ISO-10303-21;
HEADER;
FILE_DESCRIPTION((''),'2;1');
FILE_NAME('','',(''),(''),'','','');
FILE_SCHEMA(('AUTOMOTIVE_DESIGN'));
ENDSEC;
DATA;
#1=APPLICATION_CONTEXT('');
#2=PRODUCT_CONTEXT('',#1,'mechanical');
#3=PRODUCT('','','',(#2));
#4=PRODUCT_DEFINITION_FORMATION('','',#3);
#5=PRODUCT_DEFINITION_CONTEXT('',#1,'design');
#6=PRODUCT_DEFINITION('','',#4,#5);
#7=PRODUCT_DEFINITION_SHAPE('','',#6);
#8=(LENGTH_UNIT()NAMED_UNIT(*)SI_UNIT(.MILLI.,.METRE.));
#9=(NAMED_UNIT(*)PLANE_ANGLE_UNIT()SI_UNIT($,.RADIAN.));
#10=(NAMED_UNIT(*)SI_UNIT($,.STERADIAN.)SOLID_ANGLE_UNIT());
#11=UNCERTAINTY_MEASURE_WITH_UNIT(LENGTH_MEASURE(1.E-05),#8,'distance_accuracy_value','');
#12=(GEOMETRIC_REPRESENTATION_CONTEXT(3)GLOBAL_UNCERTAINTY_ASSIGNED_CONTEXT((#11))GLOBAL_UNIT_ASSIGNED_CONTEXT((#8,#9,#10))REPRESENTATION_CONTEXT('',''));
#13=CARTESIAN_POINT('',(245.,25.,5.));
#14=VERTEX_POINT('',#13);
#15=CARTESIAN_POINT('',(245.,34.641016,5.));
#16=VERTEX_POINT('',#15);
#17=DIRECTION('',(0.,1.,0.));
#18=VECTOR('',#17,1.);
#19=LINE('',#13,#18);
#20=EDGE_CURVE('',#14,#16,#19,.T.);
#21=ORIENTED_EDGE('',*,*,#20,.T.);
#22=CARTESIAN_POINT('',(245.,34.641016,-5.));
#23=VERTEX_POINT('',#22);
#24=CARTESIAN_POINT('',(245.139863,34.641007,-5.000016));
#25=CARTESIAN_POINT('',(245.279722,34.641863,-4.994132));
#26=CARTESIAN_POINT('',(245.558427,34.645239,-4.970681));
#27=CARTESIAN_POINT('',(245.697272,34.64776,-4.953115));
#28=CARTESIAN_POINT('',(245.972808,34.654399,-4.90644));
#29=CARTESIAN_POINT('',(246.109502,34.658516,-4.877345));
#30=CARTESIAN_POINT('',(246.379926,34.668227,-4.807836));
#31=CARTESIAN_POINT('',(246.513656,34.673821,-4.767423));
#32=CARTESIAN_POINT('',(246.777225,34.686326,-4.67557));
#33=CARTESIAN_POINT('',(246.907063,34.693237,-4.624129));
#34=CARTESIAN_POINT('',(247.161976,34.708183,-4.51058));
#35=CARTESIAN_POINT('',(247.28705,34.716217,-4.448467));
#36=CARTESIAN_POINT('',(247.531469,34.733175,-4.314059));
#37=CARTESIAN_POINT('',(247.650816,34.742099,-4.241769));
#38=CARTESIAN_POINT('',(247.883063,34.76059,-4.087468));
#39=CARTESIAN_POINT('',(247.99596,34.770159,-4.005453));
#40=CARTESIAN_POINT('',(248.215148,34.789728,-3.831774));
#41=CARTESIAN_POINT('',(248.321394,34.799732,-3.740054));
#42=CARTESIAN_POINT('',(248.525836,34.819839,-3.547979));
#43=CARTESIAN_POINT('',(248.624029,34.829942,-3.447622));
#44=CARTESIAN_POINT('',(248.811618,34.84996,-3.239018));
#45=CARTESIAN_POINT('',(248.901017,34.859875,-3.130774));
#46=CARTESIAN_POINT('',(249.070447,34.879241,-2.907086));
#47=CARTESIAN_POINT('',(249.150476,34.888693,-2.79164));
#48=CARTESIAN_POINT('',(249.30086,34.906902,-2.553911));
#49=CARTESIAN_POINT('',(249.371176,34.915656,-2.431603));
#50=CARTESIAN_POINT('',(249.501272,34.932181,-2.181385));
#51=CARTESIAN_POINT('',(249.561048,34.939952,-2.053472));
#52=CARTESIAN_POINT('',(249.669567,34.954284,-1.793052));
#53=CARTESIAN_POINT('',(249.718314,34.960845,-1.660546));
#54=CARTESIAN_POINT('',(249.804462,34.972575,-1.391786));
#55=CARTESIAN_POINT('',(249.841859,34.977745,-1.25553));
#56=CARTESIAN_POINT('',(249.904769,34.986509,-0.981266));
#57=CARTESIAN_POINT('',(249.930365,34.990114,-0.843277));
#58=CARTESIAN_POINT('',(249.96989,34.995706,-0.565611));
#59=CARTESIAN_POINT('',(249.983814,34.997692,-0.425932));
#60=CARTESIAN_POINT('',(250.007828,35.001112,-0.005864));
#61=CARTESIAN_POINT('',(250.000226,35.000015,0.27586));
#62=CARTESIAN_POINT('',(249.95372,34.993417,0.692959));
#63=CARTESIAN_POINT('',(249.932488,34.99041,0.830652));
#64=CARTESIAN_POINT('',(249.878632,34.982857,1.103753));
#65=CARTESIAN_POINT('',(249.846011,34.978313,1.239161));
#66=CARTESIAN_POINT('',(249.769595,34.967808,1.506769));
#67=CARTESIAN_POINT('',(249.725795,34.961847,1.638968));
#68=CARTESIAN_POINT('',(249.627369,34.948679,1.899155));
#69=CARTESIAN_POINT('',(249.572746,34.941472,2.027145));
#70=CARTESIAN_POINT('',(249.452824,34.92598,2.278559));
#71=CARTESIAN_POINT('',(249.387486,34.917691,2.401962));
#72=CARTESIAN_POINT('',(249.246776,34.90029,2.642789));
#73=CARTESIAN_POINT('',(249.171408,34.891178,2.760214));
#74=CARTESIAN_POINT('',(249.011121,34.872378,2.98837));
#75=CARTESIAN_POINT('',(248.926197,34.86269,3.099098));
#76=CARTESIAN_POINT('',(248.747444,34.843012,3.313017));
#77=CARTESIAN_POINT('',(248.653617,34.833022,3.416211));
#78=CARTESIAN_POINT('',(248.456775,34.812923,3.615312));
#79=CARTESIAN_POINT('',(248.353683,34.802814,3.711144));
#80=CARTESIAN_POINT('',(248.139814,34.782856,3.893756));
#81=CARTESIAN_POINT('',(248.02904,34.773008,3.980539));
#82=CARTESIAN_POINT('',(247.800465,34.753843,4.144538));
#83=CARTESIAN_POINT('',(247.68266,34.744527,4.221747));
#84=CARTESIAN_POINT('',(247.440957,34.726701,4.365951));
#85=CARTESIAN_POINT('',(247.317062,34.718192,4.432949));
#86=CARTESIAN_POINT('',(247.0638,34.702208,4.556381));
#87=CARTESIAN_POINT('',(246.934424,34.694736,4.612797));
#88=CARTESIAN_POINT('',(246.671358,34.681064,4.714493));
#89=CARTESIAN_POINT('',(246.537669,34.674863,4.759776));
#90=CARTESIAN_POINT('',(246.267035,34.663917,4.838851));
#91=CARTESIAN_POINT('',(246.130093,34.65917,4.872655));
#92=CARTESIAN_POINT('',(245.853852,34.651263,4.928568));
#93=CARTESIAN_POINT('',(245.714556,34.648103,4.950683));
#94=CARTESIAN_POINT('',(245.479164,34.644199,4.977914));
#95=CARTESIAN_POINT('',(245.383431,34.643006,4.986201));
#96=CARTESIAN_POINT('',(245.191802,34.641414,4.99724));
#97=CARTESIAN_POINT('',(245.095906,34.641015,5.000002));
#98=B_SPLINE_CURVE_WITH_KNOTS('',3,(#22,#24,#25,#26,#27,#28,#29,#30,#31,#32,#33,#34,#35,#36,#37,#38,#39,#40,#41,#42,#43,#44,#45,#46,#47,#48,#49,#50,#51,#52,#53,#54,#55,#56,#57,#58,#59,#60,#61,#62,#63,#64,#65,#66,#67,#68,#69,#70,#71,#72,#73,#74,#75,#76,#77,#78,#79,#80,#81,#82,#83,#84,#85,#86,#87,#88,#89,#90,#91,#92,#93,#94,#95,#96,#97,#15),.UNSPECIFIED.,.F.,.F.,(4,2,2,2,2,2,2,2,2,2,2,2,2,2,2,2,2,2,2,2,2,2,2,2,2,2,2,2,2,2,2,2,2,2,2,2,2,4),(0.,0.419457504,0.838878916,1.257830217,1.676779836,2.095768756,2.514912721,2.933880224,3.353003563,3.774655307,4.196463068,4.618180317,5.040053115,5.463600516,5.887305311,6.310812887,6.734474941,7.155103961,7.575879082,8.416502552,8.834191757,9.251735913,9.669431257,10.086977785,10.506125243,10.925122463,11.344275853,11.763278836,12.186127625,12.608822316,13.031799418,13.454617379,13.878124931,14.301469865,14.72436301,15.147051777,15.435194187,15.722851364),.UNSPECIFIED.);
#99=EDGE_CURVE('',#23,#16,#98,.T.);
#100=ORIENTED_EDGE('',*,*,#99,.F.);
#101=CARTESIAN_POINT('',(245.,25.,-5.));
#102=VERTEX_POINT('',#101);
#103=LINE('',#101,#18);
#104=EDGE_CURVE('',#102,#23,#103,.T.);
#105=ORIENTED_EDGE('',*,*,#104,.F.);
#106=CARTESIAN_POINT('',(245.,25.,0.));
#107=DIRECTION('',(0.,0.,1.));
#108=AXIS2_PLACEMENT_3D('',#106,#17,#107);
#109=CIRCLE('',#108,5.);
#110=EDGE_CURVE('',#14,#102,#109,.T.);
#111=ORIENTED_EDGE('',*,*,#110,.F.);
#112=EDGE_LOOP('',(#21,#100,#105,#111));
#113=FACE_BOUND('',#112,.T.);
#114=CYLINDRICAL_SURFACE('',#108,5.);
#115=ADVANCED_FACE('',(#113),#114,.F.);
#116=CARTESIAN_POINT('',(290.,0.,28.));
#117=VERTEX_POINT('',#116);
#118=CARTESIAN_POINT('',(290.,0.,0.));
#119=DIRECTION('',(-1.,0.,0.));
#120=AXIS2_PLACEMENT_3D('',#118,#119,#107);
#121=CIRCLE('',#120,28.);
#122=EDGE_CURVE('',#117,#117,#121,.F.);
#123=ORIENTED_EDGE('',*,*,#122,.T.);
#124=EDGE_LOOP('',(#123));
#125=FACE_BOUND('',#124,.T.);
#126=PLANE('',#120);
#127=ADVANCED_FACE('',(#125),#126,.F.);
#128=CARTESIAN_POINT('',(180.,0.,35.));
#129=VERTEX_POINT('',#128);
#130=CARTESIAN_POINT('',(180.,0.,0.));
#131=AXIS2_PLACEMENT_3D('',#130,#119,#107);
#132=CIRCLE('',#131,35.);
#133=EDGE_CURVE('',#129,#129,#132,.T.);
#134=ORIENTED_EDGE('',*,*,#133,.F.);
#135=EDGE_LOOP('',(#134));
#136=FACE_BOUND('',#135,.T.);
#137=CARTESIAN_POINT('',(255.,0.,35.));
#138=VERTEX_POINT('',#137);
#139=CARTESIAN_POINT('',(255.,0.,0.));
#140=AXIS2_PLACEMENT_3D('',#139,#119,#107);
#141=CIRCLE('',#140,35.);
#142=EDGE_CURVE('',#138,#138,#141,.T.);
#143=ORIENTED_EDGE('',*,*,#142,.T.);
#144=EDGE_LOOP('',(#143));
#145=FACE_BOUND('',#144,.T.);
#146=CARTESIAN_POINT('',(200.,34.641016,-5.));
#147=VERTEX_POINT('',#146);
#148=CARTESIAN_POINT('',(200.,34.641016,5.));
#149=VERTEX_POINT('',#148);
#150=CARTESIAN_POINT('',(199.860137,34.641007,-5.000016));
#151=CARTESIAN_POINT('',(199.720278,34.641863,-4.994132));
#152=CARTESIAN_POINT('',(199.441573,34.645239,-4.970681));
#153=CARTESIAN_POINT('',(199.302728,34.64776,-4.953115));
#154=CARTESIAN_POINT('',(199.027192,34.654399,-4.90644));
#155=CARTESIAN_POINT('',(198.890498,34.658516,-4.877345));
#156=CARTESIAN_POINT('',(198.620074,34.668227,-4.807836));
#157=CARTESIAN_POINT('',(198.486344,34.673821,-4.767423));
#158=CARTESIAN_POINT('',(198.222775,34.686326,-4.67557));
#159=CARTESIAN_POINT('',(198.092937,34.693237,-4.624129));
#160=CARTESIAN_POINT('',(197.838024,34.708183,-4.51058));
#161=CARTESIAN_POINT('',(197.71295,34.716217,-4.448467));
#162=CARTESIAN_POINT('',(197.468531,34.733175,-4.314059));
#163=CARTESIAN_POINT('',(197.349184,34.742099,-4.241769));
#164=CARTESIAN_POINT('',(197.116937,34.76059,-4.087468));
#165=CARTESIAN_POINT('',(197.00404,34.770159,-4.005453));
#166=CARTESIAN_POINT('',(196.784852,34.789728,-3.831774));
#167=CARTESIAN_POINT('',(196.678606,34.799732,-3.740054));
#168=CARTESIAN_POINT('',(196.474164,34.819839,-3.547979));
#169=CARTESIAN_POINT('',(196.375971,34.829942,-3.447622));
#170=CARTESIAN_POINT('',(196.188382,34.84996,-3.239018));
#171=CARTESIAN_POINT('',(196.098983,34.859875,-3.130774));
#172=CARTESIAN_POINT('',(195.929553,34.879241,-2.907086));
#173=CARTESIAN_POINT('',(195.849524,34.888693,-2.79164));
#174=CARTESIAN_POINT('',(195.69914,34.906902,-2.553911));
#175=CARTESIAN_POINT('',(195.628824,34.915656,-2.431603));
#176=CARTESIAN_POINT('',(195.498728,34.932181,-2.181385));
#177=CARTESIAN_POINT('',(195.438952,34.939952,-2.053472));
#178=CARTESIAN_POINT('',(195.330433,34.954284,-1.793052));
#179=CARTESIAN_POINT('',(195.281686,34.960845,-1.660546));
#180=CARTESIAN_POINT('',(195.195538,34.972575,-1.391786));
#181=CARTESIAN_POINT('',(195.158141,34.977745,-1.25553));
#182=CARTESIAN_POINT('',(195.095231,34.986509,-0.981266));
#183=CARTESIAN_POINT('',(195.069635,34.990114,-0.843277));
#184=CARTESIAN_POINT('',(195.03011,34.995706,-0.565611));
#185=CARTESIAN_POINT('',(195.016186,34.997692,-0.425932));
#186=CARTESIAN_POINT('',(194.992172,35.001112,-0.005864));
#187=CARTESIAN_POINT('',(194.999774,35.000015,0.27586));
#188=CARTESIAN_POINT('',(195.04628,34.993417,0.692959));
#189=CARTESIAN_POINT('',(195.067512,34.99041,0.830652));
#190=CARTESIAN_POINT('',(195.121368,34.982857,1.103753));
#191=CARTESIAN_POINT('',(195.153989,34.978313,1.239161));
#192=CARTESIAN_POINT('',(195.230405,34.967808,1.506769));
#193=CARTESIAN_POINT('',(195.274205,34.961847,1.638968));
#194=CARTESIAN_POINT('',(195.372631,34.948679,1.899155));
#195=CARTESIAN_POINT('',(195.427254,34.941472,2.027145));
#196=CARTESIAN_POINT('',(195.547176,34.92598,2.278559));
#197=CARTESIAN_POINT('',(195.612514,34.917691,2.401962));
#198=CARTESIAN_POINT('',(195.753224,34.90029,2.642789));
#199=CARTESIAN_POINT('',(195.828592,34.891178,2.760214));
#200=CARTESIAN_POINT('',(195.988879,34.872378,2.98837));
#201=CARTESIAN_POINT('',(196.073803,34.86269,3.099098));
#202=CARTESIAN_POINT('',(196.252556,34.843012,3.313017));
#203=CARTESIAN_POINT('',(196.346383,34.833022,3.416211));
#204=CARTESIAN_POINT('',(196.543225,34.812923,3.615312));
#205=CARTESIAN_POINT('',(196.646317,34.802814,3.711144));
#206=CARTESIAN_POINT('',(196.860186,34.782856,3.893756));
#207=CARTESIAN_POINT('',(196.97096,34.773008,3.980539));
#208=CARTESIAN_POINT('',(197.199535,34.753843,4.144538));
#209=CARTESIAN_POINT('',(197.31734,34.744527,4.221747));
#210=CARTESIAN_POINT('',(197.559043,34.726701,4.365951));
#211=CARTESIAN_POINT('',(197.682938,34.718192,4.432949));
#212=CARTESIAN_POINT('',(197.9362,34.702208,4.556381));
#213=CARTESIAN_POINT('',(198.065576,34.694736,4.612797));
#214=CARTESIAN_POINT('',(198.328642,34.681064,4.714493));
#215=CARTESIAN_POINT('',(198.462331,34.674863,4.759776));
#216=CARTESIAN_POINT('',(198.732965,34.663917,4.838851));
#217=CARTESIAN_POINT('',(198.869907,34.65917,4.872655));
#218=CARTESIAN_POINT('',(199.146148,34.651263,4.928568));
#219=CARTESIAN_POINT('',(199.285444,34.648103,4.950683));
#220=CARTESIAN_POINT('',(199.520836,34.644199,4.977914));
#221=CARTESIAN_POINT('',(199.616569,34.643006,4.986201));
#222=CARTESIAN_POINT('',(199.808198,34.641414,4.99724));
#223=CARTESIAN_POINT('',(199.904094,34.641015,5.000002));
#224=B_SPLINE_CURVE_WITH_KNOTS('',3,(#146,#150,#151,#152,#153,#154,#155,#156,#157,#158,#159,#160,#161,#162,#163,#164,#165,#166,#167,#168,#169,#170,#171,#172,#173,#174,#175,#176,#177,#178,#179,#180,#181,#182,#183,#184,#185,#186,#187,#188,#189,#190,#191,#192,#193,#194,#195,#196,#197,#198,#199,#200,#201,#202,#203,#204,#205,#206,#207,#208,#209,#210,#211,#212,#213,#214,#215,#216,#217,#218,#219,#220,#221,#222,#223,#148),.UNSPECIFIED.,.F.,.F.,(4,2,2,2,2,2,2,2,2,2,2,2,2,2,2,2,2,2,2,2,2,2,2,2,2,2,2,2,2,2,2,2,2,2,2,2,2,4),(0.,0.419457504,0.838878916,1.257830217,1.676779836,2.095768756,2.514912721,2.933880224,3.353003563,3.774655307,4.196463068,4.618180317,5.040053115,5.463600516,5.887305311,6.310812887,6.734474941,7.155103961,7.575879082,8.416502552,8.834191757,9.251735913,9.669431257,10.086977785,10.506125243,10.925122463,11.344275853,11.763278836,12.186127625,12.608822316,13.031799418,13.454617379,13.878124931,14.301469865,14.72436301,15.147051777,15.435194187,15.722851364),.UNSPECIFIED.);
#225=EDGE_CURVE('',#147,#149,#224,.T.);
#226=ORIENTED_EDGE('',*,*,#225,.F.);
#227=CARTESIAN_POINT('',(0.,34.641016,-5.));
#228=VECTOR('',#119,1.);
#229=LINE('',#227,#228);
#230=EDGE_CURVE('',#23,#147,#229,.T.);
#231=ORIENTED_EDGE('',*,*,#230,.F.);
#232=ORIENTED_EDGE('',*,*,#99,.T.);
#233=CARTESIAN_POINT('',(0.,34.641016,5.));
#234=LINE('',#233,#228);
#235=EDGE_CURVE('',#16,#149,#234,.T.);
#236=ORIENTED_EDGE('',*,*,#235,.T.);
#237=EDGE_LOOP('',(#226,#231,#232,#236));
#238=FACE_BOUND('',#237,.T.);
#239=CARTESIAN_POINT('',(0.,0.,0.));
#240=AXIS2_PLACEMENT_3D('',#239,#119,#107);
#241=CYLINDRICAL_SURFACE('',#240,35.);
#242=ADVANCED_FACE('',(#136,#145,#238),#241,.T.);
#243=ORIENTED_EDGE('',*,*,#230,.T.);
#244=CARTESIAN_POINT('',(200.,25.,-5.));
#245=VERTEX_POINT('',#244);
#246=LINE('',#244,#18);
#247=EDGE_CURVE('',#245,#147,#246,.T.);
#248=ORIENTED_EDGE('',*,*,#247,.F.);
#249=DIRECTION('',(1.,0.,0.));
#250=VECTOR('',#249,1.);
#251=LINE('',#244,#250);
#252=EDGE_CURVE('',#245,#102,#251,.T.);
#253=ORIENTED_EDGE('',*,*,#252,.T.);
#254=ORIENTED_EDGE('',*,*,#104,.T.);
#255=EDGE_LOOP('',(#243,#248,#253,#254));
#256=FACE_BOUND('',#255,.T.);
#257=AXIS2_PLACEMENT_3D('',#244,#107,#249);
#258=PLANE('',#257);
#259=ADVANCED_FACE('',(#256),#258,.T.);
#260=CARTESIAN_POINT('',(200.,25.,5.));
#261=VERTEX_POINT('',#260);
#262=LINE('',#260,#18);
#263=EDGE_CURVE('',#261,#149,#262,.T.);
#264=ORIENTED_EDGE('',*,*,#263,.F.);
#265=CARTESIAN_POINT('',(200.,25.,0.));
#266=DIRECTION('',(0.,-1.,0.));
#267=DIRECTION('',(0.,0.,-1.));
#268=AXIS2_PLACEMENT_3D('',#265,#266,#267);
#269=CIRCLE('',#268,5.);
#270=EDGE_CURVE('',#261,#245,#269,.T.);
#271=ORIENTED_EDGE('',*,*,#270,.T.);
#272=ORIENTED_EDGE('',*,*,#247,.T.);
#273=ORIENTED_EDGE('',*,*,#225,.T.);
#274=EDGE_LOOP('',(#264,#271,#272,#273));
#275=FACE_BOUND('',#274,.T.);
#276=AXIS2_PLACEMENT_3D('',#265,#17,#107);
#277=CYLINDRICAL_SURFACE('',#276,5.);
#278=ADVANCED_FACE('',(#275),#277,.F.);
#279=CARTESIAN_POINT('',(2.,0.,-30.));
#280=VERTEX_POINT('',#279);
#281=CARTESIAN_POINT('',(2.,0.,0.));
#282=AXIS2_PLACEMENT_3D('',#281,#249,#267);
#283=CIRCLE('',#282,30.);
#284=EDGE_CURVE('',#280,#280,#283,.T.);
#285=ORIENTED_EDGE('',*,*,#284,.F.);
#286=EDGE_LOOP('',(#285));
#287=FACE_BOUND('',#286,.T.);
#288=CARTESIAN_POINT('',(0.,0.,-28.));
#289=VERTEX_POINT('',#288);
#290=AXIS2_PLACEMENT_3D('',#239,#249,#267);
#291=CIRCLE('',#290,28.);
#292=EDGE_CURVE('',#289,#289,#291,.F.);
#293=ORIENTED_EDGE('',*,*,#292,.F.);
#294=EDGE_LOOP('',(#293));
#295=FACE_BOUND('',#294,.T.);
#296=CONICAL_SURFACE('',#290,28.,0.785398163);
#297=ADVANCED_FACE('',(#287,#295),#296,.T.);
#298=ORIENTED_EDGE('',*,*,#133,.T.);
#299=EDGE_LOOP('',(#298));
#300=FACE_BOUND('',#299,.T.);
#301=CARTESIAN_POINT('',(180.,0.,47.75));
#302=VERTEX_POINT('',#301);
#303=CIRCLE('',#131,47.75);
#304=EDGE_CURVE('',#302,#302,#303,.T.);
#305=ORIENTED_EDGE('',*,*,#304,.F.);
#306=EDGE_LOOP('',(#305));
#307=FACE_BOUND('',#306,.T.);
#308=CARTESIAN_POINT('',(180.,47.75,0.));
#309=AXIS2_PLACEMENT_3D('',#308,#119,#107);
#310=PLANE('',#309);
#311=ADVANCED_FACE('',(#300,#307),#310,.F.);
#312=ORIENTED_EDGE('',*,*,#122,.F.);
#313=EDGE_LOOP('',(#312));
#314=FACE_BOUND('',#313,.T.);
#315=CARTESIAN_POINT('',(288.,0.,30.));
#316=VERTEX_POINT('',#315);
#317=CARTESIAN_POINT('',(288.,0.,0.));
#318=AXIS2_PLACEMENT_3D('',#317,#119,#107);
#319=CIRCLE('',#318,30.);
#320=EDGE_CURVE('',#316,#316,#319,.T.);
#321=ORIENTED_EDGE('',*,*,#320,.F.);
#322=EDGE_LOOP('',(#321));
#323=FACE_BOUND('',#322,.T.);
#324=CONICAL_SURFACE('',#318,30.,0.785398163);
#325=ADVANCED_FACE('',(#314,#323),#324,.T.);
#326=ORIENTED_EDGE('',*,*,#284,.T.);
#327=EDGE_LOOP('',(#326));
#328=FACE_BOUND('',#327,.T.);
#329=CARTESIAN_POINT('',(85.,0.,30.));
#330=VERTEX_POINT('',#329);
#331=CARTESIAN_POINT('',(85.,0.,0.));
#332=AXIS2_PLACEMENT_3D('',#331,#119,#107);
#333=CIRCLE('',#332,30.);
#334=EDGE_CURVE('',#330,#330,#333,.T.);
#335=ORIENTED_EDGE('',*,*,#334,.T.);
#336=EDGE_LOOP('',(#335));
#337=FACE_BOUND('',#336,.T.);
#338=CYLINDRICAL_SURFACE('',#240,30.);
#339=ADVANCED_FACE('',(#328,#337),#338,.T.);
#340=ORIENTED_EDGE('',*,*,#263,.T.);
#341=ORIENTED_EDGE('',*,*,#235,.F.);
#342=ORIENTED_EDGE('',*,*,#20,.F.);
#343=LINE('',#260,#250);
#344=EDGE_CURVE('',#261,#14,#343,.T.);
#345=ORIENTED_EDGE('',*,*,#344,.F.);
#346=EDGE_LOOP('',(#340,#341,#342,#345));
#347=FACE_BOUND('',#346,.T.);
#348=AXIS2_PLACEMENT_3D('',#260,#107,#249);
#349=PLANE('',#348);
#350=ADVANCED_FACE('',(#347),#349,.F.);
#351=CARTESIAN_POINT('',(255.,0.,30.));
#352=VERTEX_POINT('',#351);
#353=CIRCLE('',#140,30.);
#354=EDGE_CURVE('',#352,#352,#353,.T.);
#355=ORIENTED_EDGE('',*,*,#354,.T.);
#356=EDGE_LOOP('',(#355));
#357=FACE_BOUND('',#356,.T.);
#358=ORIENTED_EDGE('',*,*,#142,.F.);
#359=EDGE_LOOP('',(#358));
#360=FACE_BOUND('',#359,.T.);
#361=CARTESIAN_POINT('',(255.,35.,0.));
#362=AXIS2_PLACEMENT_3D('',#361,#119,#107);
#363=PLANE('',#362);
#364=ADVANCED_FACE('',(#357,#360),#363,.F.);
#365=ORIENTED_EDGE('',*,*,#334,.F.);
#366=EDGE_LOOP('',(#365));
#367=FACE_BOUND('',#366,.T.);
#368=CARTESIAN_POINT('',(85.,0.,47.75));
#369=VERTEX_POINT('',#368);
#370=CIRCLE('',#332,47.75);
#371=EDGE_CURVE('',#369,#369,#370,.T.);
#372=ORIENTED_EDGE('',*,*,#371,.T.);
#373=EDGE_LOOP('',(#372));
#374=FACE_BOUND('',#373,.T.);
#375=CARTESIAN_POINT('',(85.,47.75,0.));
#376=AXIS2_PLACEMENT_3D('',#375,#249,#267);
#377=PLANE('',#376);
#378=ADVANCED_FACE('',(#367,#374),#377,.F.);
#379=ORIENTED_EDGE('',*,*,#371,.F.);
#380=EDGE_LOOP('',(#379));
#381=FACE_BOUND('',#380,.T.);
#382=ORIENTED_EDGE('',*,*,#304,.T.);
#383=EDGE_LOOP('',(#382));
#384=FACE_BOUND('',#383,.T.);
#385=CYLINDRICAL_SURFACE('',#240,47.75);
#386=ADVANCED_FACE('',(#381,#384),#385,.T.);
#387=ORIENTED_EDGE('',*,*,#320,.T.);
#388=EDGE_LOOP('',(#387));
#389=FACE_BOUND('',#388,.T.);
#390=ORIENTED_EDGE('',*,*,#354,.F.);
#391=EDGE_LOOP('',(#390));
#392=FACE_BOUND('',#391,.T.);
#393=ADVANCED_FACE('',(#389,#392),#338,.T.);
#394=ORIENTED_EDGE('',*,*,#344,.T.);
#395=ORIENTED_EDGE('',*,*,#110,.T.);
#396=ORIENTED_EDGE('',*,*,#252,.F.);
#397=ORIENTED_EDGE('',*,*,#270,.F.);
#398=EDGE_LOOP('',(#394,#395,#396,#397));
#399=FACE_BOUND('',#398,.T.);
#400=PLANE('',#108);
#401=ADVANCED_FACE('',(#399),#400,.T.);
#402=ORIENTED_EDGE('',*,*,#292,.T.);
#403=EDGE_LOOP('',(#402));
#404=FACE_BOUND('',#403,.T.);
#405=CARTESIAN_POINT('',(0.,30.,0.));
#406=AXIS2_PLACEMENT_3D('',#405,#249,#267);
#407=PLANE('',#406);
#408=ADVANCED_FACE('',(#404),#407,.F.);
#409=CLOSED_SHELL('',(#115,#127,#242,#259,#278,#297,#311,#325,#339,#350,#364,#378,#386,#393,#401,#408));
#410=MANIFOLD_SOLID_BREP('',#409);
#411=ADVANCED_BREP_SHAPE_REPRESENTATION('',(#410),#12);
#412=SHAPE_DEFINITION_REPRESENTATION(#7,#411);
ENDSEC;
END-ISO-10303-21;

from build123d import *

# Parameters (mm, degrees)
CHAFL_N1_SIZE         = 2
CORTAR_EXTRUIR1_DEPTH = 10


with BuildPart() as part:
    # Croquis1 → Revolución1 (revolve)
    with BuildSketch(Plane.XY, mode=Mode.PRIVATE) as revoluci_n1_sk:
        Polygon((0, 0), (290, 0), (290, 30), (255, 30), (255, 35), (180, 35), (180, 47.75), (85, 47.75), (85, 30), (0, 30), align=None)
    revolve(revoluci_n1_sk.sketch.rotate(Axis((0, 0, 0), (1, 0, 0)), 90), axis=Axis((0, 0, 0), (1, 0, 0)))

    # Chaflán1
    chafl_n1_edges = [part.edges().sort_by_distance(p)[0] for p in [
        (290, 0, -30),
        (0, 0, -30),
    ]]
    chamfer(chafl_n1_edges, length=CHAFL_N1_SIZE)

    # Croquis2 → Cortar-Extruir1 (cut)
    with BuildSketch(Plane(origin=(30.68575842, 35, 0), x_dir=(1, 0, 0), z_dir=(0, 1, 0))):
        with BuildLine():
            Line((169.31424158, -5), (214.31424158, -5))
            ThreePointArc((214.31424158, -5), (219.31424158, 0), (214.31424158, 5))
            Line((214.31424158, 5), (169.31424158, 5))
            ThreePointArc((169.31424158, 5), (164.31424158, 0), (169.31424158, -5))
        make_face()
    extrude(amount=-CORTAR_EXTRUIR1_DEPTH, mode=Mode.SUBTRACT)


solid = part.part
